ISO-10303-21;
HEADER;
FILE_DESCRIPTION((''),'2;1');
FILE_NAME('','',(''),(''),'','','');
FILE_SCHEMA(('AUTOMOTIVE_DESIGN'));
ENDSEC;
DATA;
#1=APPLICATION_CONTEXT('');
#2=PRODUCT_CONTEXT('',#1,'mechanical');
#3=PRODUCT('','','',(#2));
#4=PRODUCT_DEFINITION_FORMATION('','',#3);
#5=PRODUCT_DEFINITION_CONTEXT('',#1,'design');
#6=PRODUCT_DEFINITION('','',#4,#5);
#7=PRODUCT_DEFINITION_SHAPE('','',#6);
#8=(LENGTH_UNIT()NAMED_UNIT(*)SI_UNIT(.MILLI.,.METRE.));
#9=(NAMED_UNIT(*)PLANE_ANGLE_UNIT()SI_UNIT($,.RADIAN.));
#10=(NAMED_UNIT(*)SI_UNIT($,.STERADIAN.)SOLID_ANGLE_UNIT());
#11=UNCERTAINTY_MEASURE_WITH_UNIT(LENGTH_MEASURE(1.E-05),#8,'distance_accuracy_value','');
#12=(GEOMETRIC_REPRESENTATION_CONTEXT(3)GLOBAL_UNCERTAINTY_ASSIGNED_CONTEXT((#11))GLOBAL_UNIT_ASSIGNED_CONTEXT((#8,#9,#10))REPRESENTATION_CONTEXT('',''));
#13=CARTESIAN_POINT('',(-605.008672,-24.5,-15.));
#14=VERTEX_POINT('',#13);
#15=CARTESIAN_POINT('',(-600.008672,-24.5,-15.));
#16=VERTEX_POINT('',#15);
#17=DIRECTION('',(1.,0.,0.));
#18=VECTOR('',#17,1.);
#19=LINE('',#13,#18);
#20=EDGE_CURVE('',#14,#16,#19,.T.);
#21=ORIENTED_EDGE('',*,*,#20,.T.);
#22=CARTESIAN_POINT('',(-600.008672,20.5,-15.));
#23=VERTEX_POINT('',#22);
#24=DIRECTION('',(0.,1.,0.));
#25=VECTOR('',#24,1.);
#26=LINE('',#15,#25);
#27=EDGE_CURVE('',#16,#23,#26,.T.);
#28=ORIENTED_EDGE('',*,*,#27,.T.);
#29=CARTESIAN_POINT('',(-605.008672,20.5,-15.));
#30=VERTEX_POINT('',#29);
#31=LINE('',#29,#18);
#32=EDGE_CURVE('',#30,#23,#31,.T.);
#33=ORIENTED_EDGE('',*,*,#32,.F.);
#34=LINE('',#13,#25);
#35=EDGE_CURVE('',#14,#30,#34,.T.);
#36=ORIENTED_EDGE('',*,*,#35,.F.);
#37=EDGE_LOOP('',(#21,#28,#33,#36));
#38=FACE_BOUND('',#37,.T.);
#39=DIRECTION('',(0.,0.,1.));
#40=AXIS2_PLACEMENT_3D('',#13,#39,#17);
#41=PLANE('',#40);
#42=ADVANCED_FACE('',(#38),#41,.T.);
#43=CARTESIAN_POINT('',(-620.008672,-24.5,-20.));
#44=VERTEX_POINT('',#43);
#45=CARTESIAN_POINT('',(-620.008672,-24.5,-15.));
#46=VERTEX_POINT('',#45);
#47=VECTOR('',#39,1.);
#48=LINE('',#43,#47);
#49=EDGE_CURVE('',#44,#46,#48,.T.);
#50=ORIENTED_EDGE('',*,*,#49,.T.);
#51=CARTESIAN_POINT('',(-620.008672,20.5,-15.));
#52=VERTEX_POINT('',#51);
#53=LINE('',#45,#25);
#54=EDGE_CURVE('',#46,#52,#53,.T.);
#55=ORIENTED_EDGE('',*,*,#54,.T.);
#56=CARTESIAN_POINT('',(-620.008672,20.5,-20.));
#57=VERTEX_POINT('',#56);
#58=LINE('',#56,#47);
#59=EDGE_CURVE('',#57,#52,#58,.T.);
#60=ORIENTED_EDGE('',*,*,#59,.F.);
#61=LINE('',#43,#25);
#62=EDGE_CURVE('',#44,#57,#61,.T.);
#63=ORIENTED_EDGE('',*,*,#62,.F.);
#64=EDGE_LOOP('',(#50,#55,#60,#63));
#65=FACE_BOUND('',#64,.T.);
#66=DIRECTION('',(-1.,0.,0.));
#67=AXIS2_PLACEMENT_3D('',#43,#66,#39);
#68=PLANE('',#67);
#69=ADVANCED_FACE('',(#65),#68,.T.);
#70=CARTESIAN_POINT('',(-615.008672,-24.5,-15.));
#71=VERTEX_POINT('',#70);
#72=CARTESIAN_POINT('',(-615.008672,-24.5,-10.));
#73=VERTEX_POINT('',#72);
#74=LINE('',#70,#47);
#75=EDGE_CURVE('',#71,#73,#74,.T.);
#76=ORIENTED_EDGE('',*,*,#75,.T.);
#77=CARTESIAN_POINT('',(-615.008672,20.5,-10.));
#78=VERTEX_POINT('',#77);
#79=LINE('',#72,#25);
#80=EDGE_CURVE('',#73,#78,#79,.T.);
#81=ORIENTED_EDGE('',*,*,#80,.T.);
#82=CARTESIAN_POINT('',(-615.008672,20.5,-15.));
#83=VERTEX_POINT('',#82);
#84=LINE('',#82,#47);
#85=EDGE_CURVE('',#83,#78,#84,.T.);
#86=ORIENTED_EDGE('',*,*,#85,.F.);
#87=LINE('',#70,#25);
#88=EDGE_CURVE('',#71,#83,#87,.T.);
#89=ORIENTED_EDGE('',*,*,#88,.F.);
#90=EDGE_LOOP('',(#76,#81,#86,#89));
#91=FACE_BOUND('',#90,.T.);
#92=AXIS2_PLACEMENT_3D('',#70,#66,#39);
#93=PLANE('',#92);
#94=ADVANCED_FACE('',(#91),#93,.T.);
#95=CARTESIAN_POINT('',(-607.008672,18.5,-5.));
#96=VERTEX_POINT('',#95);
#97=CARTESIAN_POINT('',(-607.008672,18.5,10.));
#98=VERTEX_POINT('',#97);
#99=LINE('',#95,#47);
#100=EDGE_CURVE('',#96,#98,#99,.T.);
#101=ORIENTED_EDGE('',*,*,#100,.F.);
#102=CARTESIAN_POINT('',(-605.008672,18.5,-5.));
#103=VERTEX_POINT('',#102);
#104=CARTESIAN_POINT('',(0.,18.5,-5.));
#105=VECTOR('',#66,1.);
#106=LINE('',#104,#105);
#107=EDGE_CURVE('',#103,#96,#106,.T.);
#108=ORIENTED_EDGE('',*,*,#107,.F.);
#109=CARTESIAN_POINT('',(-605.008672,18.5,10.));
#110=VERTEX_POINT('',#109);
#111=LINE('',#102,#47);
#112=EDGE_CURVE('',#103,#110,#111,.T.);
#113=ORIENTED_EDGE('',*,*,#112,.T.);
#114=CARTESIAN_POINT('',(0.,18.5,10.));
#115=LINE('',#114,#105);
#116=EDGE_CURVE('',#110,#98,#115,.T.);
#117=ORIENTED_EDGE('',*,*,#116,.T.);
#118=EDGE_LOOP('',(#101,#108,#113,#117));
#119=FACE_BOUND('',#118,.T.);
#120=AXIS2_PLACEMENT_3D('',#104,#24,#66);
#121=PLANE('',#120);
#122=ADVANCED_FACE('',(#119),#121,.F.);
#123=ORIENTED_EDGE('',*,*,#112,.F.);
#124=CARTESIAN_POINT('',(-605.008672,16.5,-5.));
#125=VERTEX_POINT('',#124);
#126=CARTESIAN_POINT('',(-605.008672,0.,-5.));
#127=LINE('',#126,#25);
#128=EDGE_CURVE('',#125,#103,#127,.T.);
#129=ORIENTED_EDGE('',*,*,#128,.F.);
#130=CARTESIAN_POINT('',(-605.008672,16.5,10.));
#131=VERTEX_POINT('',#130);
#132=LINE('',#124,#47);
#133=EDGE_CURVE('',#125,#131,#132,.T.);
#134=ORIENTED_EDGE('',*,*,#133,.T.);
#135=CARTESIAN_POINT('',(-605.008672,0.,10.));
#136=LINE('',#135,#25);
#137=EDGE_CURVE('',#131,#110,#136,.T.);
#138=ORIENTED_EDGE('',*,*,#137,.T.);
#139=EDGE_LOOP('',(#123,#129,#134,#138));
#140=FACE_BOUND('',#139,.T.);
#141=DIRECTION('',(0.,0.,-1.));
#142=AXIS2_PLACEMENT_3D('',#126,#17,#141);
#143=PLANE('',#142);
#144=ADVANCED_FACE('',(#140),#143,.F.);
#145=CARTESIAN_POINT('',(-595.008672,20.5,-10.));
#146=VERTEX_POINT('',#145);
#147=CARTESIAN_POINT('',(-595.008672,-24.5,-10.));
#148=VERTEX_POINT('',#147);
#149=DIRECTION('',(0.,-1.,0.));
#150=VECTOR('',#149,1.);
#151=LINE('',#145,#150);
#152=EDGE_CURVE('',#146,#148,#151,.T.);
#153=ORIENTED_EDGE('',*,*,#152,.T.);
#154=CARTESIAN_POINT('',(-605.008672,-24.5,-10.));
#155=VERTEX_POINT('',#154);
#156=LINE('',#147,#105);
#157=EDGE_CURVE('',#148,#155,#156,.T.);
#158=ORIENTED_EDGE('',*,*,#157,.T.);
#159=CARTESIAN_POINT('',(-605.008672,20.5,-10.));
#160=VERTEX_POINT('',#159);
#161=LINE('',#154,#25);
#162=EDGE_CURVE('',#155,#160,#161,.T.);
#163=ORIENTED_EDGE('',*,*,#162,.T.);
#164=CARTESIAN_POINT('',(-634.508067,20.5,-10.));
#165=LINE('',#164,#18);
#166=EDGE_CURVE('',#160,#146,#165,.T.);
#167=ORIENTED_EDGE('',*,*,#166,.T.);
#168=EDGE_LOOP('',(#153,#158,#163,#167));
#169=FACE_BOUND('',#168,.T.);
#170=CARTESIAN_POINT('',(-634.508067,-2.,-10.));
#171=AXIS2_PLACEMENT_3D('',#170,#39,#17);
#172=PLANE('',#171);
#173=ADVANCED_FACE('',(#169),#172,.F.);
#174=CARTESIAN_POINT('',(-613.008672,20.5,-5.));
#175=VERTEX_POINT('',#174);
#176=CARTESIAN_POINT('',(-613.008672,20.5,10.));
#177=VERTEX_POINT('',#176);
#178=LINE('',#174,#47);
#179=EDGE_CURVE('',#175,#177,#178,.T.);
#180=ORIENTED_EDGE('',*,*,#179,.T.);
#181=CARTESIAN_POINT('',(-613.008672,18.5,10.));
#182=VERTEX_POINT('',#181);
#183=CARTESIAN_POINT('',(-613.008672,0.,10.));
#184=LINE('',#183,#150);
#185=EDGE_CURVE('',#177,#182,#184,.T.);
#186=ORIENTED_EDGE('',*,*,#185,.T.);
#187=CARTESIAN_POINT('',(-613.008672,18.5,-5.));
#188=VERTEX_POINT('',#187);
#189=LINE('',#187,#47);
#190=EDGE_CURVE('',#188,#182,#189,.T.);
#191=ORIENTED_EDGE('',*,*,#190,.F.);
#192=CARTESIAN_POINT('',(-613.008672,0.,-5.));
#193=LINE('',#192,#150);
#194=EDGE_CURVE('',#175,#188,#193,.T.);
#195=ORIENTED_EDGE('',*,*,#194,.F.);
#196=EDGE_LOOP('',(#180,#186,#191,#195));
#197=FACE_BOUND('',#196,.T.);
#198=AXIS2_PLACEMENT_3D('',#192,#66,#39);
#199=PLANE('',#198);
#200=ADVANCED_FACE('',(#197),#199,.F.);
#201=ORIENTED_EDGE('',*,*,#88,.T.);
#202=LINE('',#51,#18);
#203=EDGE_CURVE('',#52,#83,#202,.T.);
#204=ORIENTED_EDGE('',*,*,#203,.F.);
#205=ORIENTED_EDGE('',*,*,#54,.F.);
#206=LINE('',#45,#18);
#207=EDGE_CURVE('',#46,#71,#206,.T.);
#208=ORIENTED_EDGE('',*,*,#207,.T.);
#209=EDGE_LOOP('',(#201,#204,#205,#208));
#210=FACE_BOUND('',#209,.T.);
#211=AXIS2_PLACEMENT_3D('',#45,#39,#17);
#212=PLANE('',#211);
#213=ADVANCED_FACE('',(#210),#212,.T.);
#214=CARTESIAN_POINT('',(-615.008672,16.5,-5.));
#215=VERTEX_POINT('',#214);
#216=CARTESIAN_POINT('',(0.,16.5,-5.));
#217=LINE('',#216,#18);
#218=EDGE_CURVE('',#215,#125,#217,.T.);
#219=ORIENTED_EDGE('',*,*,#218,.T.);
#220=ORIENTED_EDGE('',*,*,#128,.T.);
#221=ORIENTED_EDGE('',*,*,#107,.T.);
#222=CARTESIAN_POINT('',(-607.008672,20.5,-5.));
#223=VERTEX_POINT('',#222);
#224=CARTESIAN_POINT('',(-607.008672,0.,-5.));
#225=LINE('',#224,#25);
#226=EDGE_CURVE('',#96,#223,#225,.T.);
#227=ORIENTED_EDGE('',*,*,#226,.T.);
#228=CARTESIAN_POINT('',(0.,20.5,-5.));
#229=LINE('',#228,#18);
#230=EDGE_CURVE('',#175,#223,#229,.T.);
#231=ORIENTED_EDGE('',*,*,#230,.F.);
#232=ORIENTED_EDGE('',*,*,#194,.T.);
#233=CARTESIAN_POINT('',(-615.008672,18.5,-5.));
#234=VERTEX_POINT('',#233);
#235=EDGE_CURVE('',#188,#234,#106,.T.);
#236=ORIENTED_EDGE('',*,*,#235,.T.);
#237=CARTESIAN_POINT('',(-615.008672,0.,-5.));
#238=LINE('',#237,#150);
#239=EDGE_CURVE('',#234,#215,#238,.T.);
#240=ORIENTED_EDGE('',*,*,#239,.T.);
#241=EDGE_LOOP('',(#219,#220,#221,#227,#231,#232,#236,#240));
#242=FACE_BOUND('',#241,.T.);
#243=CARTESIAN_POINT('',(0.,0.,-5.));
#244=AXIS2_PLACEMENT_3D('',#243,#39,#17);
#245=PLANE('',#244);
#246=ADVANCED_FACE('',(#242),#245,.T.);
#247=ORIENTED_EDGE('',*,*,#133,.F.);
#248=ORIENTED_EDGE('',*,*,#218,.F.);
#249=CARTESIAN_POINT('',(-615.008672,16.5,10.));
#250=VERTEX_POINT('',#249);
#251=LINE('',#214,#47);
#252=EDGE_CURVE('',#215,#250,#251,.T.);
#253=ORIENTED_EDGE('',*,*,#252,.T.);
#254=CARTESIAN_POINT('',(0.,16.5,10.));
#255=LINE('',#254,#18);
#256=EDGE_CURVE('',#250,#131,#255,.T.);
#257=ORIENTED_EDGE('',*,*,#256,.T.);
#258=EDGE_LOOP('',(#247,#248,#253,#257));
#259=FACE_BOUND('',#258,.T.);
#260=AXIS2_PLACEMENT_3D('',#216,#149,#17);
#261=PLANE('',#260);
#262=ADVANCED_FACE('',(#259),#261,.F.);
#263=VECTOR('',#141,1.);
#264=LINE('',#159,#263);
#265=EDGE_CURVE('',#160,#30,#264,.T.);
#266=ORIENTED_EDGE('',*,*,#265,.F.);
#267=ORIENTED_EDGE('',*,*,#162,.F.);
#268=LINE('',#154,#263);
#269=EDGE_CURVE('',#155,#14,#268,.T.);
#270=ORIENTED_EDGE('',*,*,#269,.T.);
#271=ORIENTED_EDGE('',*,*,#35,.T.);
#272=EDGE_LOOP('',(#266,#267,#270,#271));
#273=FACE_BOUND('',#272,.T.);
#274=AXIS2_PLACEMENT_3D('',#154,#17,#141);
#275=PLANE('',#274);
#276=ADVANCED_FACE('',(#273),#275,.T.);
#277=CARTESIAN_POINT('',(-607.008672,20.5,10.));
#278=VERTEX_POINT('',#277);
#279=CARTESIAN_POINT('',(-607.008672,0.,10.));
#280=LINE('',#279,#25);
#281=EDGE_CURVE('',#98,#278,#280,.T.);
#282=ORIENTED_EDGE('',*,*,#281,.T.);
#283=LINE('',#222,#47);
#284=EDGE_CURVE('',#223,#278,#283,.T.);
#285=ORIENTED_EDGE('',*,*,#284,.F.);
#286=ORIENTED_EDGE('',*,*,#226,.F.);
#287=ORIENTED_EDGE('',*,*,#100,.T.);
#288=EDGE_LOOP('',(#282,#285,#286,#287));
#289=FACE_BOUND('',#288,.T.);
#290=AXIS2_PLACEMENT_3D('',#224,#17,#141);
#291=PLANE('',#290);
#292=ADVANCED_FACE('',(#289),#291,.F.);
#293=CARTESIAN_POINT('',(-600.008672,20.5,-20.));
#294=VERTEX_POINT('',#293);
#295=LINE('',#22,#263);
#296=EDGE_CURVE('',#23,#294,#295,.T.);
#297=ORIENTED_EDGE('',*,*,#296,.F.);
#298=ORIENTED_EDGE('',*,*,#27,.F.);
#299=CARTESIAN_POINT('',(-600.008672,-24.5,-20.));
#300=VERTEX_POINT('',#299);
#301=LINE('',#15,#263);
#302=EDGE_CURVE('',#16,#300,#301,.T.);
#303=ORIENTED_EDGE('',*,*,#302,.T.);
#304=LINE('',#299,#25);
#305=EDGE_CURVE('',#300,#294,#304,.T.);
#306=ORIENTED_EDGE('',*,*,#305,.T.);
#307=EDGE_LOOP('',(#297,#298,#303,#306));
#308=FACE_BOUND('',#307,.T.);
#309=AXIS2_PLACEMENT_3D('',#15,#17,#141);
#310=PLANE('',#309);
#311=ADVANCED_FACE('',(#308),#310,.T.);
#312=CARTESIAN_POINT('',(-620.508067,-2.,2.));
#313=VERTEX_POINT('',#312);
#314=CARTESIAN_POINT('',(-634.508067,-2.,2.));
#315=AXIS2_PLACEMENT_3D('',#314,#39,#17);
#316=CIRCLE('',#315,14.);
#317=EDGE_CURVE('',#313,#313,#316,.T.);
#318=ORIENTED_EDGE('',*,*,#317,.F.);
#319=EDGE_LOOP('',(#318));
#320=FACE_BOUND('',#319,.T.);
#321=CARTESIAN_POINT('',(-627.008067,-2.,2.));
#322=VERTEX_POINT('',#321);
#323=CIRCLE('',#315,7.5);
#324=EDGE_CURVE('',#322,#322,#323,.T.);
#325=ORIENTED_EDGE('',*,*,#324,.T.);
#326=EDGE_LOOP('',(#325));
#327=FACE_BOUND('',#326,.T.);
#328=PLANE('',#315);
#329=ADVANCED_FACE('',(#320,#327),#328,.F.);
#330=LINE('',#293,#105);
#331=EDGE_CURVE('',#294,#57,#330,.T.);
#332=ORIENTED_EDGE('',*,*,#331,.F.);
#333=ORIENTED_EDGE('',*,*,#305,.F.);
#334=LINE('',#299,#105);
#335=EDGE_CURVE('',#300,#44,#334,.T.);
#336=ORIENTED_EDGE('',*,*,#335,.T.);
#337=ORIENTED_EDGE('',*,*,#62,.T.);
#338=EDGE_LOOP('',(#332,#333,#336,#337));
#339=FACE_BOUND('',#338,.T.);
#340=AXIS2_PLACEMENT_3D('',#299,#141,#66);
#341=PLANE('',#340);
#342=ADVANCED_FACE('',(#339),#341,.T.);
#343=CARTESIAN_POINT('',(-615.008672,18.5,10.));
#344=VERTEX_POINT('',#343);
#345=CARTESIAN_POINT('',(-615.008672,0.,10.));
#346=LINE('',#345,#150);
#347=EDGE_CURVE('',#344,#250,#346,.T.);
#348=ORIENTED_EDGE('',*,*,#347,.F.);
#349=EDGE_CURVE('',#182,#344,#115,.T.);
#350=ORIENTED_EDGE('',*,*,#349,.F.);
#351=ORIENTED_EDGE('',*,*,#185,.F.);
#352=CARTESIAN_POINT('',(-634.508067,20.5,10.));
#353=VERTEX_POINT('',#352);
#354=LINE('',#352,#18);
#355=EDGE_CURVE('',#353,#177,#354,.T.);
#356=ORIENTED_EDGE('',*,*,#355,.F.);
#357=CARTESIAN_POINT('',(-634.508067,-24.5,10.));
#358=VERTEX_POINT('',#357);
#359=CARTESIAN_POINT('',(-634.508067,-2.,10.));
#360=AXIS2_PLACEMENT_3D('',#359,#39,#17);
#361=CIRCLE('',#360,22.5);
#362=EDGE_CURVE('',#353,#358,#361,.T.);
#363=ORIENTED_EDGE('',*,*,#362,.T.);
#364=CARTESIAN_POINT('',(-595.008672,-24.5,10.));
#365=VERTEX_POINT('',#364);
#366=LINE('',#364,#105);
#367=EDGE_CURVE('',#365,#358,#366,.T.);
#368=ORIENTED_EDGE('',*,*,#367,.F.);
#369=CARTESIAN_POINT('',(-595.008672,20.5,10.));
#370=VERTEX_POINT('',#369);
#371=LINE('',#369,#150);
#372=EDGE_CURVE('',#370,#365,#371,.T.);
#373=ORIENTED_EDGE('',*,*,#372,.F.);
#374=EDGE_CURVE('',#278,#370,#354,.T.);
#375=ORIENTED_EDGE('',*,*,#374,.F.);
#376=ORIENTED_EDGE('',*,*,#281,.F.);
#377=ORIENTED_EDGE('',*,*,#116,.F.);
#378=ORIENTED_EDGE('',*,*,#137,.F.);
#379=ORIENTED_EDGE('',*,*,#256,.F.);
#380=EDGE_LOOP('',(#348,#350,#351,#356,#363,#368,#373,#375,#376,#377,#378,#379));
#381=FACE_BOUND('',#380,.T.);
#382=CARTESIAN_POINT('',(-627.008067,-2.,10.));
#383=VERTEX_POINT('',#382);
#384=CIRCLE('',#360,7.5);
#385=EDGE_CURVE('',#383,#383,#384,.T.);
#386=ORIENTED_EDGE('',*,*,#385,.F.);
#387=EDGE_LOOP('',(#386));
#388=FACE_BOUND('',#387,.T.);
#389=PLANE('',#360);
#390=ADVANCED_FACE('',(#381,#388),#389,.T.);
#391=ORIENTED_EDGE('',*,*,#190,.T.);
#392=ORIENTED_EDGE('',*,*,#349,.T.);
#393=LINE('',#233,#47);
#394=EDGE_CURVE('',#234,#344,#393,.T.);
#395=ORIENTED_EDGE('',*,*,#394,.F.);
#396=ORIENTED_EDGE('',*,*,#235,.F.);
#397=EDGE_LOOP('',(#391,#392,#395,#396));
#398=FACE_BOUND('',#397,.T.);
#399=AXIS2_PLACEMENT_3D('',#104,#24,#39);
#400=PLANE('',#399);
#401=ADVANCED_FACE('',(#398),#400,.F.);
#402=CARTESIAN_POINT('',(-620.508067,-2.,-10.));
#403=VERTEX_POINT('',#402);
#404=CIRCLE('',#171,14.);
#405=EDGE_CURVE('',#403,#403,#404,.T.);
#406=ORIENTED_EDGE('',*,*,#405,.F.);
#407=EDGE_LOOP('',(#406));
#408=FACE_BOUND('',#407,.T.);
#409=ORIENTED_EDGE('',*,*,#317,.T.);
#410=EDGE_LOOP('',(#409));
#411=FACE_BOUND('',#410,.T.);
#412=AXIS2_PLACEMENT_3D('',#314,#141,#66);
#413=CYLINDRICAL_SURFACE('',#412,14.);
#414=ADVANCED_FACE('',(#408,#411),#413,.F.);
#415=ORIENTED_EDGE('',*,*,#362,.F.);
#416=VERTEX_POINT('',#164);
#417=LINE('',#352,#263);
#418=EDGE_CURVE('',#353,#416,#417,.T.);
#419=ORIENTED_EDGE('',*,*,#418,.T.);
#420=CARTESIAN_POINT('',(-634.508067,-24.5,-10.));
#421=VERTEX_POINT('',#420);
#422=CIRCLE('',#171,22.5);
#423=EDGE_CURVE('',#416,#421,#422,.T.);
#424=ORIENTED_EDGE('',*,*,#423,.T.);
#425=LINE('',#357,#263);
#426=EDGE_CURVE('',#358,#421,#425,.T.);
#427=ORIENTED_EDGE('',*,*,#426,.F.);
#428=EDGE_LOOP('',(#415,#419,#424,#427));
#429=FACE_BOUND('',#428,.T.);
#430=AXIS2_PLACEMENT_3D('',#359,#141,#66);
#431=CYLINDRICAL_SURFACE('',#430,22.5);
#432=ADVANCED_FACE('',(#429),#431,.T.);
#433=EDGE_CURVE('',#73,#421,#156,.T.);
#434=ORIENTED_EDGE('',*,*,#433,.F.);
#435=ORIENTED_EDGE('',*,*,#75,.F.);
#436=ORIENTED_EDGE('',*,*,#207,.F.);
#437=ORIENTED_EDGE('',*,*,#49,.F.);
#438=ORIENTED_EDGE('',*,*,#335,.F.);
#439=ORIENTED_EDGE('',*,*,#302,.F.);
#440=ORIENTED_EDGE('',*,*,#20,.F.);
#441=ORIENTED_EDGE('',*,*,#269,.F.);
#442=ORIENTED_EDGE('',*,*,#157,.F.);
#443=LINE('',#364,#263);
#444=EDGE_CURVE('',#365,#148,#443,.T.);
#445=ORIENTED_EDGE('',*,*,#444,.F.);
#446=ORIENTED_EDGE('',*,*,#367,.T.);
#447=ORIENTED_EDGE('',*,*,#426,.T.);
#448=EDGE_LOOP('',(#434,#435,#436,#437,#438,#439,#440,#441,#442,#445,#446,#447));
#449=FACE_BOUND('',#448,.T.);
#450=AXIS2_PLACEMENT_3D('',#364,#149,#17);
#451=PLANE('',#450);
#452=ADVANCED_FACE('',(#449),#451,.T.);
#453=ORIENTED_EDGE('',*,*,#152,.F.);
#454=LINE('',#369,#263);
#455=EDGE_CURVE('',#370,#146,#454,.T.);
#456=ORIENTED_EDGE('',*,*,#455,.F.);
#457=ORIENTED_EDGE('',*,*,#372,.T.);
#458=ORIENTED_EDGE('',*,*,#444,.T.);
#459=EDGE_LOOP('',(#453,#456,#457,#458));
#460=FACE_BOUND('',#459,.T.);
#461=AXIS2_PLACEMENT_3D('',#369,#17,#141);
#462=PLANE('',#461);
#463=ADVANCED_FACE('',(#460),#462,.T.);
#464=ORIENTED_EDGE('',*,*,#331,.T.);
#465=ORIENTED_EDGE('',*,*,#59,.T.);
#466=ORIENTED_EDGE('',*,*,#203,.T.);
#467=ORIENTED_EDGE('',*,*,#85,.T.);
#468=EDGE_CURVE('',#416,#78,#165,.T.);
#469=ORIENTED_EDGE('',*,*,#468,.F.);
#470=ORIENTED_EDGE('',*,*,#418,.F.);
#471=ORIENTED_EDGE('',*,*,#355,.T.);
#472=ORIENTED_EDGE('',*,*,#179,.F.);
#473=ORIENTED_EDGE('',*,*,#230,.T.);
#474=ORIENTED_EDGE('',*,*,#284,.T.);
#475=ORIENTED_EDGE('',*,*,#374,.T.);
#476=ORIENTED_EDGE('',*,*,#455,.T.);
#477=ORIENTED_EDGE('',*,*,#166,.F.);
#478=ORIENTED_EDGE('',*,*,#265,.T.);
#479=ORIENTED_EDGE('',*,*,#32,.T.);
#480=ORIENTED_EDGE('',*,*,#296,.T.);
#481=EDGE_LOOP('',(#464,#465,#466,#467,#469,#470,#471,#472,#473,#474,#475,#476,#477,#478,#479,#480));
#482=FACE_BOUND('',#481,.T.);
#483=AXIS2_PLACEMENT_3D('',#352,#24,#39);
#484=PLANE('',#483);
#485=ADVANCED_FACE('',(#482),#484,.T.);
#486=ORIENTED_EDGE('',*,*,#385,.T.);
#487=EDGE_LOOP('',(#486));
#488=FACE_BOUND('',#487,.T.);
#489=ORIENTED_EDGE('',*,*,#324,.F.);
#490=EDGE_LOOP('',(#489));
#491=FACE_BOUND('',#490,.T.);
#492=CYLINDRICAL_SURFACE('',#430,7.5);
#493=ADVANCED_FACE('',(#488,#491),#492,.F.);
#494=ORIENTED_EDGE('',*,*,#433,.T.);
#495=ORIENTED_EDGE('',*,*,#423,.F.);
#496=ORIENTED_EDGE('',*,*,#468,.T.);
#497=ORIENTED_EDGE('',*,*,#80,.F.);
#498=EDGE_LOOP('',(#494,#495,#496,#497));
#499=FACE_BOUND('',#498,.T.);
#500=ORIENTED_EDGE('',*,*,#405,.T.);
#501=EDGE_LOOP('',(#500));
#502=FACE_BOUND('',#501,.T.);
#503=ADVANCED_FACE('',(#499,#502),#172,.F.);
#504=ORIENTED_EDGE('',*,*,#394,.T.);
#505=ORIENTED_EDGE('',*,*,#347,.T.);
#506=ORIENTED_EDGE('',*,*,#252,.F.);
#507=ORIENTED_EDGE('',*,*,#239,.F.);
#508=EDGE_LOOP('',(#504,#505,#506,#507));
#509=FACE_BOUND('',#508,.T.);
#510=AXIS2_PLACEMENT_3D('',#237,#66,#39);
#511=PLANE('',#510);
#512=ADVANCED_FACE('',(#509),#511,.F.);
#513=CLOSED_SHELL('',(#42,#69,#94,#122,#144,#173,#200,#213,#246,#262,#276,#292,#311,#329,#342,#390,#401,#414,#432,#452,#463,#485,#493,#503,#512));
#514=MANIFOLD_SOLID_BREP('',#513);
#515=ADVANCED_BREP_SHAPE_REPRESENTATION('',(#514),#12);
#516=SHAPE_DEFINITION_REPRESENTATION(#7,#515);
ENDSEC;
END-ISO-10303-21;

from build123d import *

# Parameters (mm, degrees)
ESQUISSE1_R                  = 7.5
BOSS_EXTRU_1_DEPTH           = 10
ESQUISSE1_5_R                = 14
ENL_V_MAT_EXTRU_1_DEPTH      = 2
ENL_V_MAT_EXTRU_1_DEPTH_BACK = 10
BOSS_EXTRU_2_DEPTH           = 45
ENL_V_MAT_EXTRU_2_DEPTH      = 11
ENL_V_MAT_EXTRU_2_DEPTH_BACK = 5


with BuildPart() as part:
    # Esquisse1 → Boss.-Extru.1 (new body, symmetric)
    with BuildSketch(Plane.XY):
        with BuildLine():
            Line((-634.508066615, 20.5), (-595.008671928, 20.5))
            Line((-595.008671928, 20.5), (-595.008671928, -24.5))
            Line((-595.008671928, -24.5), (-634.508066615, -24.5))
            ThreePointArc((-634.508066615, -24.5), (-657.008066615, -2), (-634.508066615, 20.5))
        make_face()
        with Locations((-634.508066615, -2)):
            Circle(ESQUISSE1_R, mode=Mode.SUBTRACT)
    extrude(amount=BOSS_EXTRU_1_DEPTH, both=True)

    # Esquisse1_5 → Enl_v. mat.-Extru.1 (cut, two sides)
    with BuildSketch(Plane.XY) as enl_v_mat_extru_1_sk:
        with Locations((-634.508066615, -2)):
            Circle(ESQUISSE1_5_R)
    extrude(amount=ENL_V_MAT_EXTRU_1_DEPTH, mode=Mode.SUBTRACT)
    extrude(enl_v_mat_extru_1_sk.sketch, amount=-ENL_V_MAT_EXTRU_1_DEPTH_BACK, mode=Mode.SUBTRACT)

    # Esquisse2 → Boss.-Extru.2 (add)
    with BuildSketch(Plane(origin=(0, 20.5, 0), x_dir=(1, 0, 0), z_dir=(0, 1, 0))):
        Polygon((-605.008671928, 10), (-605.008671928, 15), (-600.008671928, 15), (-600.008671928, 20), (-620.008671928, 20), (-620.008671928, 15), (-615.008671928, 15), (-615.008671928, 10), align=None)
    extrude(amount=-BOSS_EXTRU_2_DEPTH)

    # Esquisse1_7 → Enl_v. mat.-Extru.2 (cut, two sides)
    with BuildSketch(Plane.XY) as enl_v_mat_extru_2_sk:
        Polygon((-607.008671928, 20.5), (-613.008671928, 20.5), (-613.008671928, 18.5), (-615.008671928, 18.5), (-615.008671928, 16.5), (-605.008671928, 16.5), (-605.008671928, 18.5), (-607.008671928, 18.5), align=None)
    extrude(amount=ENL_V_MAT_EXTRU_2_DEPTH, mode=Mode.SUBTRACT)
    extrude(enl_v_mat_extru_2_sk.sketch, amount=-ENL_V_MAT_EXTRU_2_DEPTH_BACK, mode=Mode.SUBTRACT)


solid = part.part
